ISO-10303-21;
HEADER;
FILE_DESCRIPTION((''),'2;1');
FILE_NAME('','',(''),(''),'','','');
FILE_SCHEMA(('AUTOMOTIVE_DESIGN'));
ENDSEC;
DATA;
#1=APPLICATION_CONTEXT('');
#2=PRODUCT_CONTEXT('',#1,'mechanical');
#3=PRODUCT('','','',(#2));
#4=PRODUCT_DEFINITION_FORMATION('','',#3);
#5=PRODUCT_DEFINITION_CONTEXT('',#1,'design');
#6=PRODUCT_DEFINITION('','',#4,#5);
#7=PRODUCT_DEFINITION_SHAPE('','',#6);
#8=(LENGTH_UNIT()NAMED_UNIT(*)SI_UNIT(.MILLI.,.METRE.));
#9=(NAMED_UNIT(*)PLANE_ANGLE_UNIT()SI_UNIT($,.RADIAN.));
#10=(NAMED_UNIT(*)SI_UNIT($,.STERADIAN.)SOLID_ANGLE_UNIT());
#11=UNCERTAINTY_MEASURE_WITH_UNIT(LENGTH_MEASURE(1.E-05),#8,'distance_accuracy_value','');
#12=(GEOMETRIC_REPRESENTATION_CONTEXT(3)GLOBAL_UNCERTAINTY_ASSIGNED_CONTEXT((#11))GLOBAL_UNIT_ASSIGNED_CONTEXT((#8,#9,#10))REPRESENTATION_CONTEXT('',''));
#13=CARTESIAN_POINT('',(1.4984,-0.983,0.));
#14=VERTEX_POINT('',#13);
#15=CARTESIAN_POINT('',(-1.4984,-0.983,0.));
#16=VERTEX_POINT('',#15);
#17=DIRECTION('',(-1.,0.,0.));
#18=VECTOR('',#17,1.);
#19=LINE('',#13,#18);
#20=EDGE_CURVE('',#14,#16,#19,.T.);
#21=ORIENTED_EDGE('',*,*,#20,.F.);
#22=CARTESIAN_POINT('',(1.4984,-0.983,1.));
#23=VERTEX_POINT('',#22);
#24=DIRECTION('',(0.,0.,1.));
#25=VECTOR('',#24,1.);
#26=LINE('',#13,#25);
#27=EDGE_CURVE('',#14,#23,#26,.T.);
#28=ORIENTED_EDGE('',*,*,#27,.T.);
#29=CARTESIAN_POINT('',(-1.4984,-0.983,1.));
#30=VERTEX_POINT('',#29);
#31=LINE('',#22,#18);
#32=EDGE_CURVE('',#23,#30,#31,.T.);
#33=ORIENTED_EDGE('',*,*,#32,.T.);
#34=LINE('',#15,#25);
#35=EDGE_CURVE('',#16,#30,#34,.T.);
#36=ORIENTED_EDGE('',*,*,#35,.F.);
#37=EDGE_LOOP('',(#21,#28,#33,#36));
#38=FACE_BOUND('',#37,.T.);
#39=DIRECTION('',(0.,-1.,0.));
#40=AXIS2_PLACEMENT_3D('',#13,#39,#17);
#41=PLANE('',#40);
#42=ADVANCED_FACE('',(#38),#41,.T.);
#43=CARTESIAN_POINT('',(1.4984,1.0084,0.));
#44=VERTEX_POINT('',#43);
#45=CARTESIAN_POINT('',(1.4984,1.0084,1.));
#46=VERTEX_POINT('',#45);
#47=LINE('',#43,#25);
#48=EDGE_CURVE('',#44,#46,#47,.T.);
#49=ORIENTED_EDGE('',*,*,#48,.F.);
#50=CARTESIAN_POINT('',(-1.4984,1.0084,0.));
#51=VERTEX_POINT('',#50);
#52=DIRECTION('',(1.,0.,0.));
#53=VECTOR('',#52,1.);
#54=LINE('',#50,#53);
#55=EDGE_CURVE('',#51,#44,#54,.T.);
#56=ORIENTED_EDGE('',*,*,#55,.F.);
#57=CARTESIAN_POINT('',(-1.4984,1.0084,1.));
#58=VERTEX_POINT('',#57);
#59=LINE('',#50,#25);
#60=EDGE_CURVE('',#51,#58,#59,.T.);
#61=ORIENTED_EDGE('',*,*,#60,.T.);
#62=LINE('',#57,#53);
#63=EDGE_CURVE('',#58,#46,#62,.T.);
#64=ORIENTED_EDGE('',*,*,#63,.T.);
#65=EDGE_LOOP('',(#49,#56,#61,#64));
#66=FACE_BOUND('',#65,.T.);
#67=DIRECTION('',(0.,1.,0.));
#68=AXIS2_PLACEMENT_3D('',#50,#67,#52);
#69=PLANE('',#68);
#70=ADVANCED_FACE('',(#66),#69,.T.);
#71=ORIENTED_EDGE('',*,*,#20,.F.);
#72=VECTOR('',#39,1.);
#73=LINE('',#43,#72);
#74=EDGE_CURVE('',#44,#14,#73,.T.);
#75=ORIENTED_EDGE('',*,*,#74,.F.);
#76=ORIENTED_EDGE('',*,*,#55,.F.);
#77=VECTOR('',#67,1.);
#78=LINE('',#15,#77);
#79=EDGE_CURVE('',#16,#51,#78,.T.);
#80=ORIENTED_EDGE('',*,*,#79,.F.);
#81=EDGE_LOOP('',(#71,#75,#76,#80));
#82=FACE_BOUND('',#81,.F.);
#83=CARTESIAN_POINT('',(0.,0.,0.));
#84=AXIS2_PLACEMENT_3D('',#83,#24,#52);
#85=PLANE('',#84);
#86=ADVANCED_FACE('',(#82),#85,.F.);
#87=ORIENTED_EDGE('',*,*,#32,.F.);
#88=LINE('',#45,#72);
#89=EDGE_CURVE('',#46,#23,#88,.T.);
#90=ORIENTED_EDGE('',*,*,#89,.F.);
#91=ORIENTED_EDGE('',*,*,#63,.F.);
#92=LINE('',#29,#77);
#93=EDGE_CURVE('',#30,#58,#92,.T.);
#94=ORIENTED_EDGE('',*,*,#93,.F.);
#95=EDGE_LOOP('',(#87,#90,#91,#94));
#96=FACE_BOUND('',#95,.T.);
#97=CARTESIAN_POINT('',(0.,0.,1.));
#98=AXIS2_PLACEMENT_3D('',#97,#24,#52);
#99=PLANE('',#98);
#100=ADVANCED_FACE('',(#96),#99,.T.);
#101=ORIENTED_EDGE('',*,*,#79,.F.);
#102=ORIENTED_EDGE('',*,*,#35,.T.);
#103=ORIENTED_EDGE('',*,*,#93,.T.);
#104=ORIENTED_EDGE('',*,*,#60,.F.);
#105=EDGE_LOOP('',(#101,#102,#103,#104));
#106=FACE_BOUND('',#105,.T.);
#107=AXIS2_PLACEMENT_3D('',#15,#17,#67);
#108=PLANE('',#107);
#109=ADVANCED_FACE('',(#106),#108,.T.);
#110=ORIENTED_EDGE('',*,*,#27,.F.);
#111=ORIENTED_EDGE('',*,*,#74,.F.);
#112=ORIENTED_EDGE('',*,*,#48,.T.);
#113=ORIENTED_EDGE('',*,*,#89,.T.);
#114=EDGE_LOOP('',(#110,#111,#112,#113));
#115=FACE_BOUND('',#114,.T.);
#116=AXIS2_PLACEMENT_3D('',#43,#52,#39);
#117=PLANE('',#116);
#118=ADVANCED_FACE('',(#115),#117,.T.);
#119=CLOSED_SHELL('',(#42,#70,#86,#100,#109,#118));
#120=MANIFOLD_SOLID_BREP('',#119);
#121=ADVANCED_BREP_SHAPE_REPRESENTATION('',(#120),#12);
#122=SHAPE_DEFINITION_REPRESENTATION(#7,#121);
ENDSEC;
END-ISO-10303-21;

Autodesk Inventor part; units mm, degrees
ref_plane "YZ Plane" through (0, 0, 0) normal (1, 0, 0) x (0, 1, 0)
ref_plane "XZ Plane" through (0, 0, 0) normal (0, 1, 0) x (-1, 0, 0)
ref_plane "XY Plane" through (0, 0, 0) normal (0, 0, 1) x (1, 0, 0)
sketch "0603-CAP, DNP_3" plane through (0, 0, 0) normal (0, 0, 1) x (1, 0, 0)
  line L0 (-1.4984, 1.0084) -> (1.4984, 1.0084)
  line L1 (1.4984, 1.0084) -> (1.4984, -0.983)
  line L2 (1.4984, -0.983) -> (-1.4984, -0.983)
  line L3 (-1.4984, -0.983) -> (-1.4984, 1.0084)
extrude "Extrusion1" add sketch "0603-CAP, DNP_3" along normal blind 1
properties part number "DNP"
